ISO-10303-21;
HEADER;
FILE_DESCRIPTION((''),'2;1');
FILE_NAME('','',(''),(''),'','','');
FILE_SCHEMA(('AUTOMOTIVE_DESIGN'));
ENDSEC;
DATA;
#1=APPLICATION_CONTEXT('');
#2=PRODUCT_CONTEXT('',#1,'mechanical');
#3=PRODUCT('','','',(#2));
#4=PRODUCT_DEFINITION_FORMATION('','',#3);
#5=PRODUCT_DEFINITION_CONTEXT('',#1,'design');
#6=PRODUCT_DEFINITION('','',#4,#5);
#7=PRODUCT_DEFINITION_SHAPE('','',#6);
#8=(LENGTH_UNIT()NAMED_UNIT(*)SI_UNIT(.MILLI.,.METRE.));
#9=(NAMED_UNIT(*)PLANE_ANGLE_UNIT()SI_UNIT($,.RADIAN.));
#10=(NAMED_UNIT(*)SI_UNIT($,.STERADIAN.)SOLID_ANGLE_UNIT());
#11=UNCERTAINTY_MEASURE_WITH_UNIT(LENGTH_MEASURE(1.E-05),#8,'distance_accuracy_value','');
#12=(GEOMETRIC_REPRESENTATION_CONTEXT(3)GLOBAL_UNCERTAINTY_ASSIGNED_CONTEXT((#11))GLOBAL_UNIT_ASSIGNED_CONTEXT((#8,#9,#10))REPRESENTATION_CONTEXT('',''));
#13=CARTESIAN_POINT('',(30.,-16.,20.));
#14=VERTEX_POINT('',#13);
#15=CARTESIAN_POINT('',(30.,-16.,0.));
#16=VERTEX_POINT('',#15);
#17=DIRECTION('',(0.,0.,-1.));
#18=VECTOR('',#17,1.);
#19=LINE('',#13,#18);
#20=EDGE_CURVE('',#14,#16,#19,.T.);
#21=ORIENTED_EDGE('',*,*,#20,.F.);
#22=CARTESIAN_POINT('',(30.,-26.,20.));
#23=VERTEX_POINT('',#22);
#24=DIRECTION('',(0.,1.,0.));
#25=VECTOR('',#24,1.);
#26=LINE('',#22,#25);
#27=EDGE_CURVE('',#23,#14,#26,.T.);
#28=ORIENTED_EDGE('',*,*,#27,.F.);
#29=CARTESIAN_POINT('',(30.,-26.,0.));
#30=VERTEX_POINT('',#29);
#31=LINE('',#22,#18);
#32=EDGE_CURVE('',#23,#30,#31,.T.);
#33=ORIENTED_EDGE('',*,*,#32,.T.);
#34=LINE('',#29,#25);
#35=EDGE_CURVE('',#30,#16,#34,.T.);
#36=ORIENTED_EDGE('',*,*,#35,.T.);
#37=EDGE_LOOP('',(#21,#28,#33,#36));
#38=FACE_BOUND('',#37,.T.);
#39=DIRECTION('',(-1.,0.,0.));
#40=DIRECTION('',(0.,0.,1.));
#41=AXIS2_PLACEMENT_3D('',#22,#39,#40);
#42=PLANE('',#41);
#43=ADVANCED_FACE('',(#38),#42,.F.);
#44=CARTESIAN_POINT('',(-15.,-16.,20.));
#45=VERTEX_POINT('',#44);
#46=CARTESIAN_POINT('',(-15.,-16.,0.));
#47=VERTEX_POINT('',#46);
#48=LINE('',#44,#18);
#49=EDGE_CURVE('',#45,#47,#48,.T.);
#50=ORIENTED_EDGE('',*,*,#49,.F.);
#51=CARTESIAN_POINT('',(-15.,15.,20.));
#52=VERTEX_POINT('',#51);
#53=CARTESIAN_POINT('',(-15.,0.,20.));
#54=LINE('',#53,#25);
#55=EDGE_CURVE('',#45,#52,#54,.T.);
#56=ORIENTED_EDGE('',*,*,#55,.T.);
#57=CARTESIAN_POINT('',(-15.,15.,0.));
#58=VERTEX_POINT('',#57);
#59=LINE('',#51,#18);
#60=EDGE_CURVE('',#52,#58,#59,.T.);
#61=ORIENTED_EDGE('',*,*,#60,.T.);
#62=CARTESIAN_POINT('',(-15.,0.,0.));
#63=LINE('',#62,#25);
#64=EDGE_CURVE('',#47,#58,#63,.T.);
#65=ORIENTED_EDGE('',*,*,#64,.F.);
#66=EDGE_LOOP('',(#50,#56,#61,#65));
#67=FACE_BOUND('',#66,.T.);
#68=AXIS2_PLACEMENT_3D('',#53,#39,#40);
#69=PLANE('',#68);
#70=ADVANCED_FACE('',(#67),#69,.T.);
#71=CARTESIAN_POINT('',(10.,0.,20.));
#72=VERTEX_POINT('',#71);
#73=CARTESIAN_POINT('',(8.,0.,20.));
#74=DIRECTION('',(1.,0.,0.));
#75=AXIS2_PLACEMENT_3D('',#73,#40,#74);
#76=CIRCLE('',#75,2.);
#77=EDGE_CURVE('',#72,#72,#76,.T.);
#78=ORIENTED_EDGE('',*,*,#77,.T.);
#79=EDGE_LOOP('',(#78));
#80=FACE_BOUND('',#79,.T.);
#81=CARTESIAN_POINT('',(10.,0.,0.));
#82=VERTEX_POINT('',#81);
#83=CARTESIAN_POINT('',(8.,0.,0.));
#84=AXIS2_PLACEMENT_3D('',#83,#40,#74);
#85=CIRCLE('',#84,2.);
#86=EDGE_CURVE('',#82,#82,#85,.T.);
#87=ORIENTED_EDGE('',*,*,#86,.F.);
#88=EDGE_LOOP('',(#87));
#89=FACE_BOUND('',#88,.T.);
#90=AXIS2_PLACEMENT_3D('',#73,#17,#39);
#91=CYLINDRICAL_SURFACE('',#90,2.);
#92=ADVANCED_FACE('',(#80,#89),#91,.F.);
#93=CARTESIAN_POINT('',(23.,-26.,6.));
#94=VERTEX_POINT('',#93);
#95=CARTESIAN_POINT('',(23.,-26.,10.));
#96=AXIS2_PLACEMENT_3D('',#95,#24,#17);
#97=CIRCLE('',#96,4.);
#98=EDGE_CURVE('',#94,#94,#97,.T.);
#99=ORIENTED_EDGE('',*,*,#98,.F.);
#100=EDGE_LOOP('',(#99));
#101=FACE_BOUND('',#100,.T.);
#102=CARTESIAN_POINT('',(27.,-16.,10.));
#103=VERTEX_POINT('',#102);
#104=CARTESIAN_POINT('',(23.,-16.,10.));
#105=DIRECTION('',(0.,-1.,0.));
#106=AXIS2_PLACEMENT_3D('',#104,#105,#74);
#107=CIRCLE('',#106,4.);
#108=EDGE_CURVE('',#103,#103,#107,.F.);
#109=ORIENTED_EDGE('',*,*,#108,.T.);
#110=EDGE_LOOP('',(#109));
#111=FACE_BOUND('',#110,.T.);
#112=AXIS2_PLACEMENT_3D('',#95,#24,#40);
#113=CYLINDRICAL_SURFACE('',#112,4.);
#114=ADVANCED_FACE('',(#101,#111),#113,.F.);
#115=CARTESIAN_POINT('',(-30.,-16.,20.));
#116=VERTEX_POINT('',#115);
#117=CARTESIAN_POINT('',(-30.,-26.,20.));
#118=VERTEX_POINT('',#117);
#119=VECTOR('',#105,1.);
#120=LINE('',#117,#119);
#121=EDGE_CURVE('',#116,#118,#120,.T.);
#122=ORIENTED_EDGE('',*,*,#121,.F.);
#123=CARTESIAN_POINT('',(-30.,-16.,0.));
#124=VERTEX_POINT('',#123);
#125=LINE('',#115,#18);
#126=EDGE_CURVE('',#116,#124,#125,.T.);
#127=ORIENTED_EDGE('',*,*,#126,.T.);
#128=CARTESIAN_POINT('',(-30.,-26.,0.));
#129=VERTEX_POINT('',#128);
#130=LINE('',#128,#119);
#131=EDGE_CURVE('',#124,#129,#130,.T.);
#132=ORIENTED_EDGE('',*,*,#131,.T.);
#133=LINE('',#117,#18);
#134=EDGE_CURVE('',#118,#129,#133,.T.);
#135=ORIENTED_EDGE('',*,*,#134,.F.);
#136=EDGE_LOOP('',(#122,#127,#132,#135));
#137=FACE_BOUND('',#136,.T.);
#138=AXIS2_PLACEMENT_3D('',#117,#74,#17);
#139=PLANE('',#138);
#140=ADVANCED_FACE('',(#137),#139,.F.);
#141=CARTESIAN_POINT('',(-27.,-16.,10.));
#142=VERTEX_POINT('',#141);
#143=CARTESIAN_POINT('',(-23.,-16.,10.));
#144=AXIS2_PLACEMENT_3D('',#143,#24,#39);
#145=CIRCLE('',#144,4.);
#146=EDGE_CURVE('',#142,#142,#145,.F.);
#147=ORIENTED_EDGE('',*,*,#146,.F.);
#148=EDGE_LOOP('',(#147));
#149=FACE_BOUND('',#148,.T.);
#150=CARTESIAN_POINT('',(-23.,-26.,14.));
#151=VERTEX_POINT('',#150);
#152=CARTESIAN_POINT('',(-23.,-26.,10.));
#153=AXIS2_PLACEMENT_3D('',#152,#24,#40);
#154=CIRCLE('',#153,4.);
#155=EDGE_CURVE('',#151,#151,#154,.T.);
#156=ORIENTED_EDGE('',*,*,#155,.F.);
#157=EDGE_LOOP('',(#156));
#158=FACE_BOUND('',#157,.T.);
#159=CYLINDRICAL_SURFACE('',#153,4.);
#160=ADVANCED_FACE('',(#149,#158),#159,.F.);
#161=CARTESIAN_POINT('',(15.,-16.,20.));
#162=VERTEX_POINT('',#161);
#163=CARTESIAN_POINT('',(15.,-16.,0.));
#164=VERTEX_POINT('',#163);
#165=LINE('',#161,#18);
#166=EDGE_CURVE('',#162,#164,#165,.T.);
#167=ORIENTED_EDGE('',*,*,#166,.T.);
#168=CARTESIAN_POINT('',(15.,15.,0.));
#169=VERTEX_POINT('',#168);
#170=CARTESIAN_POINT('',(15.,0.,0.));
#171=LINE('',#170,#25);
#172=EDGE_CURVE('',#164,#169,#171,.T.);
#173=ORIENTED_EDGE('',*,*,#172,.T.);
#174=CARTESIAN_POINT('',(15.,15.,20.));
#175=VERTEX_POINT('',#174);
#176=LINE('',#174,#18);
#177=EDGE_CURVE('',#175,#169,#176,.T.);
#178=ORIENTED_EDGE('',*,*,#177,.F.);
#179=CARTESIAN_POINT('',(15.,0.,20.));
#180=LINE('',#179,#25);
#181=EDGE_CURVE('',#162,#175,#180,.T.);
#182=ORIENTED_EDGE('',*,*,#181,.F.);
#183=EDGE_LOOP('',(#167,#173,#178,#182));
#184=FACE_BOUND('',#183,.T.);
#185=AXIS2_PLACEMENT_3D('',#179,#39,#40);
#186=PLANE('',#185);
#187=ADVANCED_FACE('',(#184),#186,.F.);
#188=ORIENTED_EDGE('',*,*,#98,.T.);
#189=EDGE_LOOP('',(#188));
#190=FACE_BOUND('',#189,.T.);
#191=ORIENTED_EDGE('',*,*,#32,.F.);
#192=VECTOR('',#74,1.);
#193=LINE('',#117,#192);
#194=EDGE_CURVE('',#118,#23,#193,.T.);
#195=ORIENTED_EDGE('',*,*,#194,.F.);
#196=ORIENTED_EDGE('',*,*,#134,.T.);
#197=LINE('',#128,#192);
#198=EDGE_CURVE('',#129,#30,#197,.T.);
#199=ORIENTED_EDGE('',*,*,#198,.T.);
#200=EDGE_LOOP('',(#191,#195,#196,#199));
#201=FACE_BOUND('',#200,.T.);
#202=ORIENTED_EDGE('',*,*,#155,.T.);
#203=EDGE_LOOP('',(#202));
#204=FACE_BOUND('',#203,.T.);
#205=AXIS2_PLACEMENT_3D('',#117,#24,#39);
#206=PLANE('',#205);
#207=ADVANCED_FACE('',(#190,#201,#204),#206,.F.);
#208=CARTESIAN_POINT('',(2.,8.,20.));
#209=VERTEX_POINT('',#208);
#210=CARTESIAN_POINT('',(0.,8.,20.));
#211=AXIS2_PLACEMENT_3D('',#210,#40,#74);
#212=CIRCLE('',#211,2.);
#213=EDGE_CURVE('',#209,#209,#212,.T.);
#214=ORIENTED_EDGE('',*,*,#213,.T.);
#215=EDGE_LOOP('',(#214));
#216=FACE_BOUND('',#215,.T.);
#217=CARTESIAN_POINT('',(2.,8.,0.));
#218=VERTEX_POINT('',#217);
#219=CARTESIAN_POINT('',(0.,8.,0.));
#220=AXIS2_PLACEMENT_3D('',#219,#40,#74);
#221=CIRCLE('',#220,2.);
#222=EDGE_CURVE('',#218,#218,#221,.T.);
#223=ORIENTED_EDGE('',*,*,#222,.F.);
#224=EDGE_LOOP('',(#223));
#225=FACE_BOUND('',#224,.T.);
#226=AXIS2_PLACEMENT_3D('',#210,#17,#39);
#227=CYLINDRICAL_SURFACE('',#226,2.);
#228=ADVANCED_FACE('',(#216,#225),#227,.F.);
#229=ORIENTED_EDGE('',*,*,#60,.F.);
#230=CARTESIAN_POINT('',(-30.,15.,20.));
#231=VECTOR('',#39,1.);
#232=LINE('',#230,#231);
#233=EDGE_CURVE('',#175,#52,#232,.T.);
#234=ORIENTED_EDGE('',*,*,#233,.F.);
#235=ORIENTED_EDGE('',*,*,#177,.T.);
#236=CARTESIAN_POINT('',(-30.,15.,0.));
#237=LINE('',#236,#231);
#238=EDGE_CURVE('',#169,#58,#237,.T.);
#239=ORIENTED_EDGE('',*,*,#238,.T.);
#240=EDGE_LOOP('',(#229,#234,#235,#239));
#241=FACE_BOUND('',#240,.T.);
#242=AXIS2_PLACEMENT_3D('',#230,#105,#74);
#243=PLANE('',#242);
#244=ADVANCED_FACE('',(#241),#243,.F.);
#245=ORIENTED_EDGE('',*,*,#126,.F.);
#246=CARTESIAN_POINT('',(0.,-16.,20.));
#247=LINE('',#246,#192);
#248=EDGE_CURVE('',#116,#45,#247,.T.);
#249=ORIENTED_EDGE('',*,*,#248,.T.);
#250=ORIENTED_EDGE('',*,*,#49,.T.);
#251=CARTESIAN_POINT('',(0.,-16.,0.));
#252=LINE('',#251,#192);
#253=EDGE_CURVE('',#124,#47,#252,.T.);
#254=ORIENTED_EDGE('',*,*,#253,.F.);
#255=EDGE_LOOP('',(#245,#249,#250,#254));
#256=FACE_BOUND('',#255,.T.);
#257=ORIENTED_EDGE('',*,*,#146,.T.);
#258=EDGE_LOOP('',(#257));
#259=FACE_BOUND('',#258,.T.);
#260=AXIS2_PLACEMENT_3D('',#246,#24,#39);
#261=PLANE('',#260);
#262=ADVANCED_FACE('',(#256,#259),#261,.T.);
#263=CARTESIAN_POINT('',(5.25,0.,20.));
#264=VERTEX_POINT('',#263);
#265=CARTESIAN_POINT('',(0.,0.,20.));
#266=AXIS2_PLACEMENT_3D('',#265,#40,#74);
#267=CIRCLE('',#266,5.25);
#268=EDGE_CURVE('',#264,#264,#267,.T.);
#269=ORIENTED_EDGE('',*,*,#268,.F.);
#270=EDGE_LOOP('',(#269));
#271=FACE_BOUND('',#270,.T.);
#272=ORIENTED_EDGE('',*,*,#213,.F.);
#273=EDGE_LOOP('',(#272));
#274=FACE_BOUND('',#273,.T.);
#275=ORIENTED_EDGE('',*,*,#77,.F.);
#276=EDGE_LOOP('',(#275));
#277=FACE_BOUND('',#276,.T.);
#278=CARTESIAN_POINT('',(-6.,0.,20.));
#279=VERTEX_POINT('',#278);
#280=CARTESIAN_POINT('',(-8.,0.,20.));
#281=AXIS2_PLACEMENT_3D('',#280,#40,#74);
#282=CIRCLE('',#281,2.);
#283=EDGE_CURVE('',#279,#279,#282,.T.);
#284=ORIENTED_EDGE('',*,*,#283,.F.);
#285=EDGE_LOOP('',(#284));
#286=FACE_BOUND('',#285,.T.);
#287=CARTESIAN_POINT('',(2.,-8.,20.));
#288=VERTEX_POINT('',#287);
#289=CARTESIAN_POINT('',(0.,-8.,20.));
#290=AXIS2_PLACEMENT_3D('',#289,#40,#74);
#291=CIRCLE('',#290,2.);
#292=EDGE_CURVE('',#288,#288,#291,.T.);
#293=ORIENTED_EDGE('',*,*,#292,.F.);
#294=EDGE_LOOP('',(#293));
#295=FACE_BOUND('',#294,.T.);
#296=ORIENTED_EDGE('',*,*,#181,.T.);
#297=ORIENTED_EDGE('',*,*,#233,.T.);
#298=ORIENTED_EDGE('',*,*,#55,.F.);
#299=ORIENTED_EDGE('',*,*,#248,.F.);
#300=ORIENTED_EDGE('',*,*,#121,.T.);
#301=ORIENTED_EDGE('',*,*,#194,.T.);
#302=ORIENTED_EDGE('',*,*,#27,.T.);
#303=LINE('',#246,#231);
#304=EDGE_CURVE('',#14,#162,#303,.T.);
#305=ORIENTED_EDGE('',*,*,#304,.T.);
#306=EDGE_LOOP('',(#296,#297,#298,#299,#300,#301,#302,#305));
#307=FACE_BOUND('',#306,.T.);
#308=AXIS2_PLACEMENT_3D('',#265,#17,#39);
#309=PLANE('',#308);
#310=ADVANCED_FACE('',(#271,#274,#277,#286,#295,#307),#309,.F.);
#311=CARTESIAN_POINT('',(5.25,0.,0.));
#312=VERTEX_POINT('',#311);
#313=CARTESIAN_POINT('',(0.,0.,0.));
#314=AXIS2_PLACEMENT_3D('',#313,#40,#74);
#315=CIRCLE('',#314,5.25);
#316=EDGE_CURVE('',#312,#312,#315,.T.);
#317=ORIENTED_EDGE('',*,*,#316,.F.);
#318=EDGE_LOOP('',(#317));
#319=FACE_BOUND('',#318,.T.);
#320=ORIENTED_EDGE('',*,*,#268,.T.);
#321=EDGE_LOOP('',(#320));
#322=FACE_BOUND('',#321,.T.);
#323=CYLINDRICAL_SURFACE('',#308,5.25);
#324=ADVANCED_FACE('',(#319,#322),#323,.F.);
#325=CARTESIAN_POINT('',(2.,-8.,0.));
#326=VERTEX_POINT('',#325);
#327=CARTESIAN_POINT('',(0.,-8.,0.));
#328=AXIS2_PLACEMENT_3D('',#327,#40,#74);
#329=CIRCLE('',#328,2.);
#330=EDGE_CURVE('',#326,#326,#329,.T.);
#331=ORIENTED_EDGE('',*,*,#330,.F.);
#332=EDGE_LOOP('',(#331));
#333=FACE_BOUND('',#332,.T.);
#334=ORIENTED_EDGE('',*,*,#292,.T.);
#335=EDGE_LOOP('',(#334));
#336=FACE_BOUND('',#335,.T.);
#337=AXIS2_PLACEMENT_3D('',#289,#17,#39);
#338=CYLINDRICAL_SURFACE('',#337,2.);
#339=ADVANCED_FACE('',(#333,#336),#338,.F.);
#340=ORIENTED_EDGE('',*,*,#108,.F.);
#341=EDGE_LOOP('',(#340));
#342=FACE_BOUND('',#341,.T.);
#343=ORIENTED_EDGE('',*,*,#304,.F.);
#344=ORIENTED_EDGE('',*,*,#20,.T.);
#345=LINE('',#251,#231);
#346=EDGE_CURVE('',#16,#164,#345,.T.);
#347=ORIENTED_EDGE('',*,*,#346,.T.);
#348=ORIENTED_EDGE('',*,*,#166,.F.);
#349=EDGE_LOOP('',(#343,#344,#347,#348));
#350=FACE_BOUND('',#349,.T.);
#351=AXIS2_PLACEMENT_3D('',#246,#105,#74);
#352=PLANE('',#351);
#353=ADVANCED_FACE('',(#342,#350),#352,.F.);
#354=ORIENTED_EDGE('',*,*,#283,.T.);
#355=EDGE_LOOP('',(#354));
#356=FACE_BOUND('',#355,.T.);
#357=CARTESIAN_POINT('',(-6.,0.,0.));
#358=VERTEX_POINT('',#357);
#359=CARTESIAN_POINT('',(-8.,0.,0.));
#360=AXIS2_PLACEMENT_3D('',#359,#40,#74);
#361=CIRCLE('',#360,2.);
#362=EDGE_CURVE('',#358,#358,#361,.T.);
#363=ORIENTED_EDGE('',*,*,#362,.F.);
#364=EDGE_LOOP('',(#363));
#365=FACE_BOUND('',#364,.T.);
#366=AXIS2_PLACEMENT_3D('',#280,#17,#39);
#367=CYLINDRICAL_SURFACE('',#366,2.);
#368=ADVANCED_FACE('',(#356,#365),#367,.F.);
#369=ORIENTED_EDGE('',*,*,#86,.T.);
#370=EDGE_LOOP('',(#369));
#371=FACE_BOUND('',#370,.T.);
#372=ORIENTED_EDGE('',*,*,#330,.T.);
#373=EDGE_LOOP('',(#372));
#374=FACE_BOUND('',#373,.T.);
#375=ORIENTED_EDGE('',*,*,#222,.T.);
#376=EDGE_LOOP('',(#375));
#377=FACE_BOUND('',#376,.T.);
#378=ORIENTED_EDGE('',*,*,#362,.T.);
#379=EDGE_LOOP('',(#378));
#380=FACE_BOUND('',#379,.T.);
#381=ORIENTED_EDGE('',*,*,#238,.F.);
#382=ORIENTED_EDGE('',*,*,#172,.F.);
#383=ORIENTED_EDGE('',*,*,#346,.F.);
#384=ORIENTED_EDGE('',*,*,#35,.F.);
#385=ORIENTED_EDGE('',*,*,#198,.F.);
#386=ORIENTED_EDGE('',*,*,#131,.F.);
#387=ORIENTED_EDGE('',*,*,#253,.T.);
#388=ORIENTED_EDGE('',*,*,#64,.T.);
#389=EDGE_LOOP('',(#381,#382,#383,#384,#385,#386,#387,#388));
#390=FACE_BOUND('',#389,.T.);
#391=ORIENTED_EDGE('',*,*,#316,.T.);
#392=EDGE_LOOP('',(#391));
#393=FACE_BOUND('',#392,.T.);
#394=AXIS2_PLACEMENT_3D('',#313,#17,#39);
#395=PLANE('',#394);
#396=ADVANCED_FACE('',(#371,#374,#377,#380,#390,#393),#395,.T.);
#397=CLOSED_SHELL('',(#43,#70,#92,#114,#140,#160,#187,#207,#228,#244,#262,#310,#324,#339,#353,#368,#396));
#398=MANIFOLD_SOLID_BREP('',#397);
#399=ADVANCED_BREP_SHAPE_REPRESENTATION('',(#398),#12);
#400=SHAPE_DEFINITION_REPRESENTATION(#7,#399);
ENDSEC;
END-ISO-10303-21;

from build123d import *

# Parameters (mm, degrees)
SKETCH1_W           = 60
SKETCH1_H           = 41
SKETCH1_R           = 5.25
SKETCH1_R_2         = 2
BOSS_EXTRUDE1_DEPTH = 20
SKETCH2_R           = 4
CUT_EXTRUDE1_DEPTH  = 42
SKETCH3_W           = 15
SKETCH3_H           = 31
CUT_EXTRUDE2_DEPTH  = 21


with BuildPart() as part:
    # Sketch1 → Boss-Extrude1 (new body)
    with BuildSketch(Plane.XY):
        with Locations((0, -5.5)):
            Rectangle(SKETCH1_W, SKETCH1_H)
        Circle(SKETCH1_R, mode=Mode.SUBTRACT)
        with Locations((0, 8)):
            Circle(SKETCH1_R_2, mode=Mode.SUBTRACT)
        with Locations((8, 0)):
            Circle(SKETCH1_R_2, mode=Mode.SUBTRACT)
        with Locations((0, -8)):
            Circle(SKETCH1_R_2, mode=Mode.SUBTRACT)
        with Locations((-8, 0)):
            Circle(SKETCH1_R_2, mode=Mode.SUBTRACT)
    extrude(amount=BOSS_EXTRUDE1_DEPTH)

    # Sketch2 → Cut-Extrude1 (cut, through all)
    with BuildSketch(Plane(origin=(0, 15, 0), x_dir=(1, 0, 0), z_dir=(0, 1, 0))):
        with Locations((-23, -10)):
            Circle(SKETCH2_R)
        with Locations((23, -10)):
            Circle(SKETCH2_R)
    extrude(amount=-CUT_EXTRUDE1_DEPTH, mode=Mode.SUBTRACT)

    # Sketch3 → Cut-Extrude2 (cut, through all)
    with BuildSketch(Plane(origin=(0, 0, 0), x_dir=(-1, 0, 0), z_dir=(0, 0, -1))):
        with Locations((22.5, -0.5)):
            Rectangle(SKETCH3_W, SKETCH3_H)
        with Locations((-22.5, -0.5)):
            Rectangle(SKETCH3_W, SKETCH3_H)
    extrude(amount=-CUT_EXTRUDE2_DEPTH, mode=Mode.SUBTRACT)


solid = part.part
